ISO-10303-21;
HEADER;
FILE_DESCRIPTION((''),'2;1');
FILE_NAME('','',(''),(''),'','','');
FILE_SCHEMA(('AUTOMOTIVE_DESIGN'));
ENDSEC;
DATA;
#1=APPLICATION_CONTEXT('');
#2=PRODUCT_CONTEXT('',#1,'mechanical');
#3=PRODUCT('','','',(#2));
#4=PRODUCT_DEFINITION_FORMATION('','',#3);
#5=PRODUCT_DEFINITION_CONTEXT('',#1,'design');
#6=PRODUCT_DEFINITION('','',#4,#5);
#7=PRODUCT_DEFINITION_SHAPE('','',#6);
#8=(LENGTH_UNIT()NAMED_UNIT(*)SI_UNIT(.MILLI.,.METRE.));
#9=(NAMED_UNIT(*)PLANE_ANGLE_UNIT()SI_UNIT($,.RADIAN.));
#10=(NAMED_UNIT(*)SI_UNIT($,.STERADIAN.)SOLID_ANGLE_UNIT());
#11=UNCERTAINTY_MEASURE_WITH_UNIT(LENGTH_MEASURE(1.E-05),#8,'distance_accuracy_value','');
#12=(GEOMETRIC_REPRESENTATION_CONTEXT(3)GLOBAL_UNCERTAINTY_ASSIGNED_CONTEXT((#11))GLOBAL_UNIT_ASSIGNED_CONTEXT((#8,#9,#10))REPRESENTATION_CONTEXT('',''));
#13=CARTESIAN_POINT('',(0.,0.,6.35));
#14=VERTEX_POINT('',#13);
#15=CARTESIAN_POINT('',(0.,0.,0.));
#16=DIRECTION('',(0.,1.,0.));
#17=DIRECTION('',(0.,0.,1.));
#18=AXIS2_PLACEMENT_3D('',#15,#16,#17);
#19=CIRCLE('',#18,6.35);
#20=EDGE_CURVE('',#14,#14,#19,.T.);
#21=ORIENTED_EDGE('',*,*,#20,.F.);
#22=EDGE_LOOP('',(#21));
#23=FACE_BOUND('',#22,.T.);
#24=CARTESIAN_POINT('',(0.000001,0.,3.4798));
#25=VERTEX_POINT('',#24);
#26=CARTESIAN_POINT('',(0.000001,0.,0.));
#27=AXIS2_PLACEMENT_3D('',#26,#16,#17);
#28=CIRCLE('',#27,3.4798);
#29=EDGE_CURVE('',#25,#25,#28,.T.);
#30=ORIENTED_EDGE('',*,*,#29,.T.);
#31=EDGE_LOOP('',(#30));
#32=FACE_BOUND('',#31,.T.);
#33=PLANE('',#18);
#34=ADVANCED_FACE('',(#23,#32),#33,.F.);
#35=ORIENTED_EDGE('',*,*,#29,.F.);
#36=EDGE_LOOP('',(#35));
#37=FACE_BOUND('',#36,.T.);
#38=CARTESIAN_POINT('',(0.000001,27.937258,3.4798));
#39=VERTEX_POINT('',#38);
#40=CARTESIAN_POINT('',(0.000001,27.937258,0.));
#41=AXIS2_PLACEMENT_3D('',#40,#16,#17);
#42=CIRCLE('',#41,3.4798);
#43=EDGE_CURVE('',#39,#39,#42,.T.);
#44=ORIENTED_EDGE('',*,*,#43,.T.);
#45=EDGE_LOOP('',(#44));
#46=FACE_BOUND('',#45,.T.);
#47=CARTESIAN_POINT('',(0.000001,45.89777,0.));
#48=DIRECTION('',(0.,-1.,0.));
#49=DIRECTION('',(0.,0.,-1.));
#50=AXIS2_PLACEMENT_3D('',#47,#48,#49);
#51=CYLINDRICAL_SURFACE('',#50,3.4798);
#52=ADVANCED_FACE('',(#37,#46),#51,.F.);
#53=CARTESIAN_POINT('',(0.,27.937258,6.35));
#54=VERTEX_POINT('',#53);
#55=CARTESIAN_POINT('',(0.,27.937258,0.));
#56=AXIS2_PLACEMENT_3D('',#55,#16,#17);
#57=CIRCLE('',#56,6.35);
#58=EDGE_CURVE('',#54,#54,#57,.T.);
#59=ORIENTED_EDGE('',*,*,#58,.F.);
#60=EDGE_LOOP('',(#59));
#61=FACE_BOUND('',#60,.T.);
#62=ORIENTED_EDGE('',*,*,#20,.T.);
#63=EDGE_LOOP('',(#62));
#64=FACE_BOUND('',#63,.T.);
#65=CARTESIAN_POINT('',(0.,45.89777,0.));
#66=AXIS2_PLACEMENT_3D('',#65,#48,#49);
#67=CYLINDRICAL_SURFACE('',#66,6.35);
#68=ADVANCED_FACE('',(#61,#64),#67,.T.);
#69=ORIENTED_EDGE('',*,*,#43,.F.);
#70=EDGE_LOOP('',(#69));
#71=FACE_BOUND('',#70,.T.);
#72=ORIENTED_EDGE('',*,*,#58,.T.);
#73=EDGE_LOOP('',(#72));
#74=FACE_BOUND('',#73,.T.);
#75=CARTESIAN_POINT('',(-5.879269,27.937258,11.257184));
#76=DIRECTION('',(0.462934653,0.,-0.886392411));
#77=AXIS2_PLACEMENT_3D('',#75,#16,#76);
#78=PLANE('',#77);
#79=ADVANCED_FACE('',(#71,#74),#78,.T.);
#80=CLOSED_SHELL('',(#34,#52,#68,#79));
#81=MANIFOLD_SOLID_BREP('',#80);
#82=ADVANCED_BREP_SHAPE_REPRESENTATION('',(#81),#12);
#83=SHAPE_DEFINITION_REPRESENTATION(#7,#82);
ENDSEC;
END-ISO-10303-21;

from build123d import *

# Parameters (mm, degrees)
SKETCH1_R           = 6.35
SKETCH1_R_2         = 3.4798
BOSS_EXTRUDE1_DEPTH = 27.937258043


with BuildPart() as part:
    # Sketch1 → Boss-Extrude1 (new body)
    with BuildSketch(Plane(origin=(0, 0, 0), x_dir=(1, 0, 0), z_dir=(0, 1, 0))):
        with Locations(Location((0, 0, 0), (0, 0, 270))):
            Circle(SKETCH1_R)
        with Locations(Location((1.206e-06, -3.7e-08, 0), (0, 0, 270))):
            Circle(SKETCH1_R_2, mode=Mode.SUBTRACT)
    extrude(amount=BOSS_EXTRUDE1_DEPTH)


solid = part.part
